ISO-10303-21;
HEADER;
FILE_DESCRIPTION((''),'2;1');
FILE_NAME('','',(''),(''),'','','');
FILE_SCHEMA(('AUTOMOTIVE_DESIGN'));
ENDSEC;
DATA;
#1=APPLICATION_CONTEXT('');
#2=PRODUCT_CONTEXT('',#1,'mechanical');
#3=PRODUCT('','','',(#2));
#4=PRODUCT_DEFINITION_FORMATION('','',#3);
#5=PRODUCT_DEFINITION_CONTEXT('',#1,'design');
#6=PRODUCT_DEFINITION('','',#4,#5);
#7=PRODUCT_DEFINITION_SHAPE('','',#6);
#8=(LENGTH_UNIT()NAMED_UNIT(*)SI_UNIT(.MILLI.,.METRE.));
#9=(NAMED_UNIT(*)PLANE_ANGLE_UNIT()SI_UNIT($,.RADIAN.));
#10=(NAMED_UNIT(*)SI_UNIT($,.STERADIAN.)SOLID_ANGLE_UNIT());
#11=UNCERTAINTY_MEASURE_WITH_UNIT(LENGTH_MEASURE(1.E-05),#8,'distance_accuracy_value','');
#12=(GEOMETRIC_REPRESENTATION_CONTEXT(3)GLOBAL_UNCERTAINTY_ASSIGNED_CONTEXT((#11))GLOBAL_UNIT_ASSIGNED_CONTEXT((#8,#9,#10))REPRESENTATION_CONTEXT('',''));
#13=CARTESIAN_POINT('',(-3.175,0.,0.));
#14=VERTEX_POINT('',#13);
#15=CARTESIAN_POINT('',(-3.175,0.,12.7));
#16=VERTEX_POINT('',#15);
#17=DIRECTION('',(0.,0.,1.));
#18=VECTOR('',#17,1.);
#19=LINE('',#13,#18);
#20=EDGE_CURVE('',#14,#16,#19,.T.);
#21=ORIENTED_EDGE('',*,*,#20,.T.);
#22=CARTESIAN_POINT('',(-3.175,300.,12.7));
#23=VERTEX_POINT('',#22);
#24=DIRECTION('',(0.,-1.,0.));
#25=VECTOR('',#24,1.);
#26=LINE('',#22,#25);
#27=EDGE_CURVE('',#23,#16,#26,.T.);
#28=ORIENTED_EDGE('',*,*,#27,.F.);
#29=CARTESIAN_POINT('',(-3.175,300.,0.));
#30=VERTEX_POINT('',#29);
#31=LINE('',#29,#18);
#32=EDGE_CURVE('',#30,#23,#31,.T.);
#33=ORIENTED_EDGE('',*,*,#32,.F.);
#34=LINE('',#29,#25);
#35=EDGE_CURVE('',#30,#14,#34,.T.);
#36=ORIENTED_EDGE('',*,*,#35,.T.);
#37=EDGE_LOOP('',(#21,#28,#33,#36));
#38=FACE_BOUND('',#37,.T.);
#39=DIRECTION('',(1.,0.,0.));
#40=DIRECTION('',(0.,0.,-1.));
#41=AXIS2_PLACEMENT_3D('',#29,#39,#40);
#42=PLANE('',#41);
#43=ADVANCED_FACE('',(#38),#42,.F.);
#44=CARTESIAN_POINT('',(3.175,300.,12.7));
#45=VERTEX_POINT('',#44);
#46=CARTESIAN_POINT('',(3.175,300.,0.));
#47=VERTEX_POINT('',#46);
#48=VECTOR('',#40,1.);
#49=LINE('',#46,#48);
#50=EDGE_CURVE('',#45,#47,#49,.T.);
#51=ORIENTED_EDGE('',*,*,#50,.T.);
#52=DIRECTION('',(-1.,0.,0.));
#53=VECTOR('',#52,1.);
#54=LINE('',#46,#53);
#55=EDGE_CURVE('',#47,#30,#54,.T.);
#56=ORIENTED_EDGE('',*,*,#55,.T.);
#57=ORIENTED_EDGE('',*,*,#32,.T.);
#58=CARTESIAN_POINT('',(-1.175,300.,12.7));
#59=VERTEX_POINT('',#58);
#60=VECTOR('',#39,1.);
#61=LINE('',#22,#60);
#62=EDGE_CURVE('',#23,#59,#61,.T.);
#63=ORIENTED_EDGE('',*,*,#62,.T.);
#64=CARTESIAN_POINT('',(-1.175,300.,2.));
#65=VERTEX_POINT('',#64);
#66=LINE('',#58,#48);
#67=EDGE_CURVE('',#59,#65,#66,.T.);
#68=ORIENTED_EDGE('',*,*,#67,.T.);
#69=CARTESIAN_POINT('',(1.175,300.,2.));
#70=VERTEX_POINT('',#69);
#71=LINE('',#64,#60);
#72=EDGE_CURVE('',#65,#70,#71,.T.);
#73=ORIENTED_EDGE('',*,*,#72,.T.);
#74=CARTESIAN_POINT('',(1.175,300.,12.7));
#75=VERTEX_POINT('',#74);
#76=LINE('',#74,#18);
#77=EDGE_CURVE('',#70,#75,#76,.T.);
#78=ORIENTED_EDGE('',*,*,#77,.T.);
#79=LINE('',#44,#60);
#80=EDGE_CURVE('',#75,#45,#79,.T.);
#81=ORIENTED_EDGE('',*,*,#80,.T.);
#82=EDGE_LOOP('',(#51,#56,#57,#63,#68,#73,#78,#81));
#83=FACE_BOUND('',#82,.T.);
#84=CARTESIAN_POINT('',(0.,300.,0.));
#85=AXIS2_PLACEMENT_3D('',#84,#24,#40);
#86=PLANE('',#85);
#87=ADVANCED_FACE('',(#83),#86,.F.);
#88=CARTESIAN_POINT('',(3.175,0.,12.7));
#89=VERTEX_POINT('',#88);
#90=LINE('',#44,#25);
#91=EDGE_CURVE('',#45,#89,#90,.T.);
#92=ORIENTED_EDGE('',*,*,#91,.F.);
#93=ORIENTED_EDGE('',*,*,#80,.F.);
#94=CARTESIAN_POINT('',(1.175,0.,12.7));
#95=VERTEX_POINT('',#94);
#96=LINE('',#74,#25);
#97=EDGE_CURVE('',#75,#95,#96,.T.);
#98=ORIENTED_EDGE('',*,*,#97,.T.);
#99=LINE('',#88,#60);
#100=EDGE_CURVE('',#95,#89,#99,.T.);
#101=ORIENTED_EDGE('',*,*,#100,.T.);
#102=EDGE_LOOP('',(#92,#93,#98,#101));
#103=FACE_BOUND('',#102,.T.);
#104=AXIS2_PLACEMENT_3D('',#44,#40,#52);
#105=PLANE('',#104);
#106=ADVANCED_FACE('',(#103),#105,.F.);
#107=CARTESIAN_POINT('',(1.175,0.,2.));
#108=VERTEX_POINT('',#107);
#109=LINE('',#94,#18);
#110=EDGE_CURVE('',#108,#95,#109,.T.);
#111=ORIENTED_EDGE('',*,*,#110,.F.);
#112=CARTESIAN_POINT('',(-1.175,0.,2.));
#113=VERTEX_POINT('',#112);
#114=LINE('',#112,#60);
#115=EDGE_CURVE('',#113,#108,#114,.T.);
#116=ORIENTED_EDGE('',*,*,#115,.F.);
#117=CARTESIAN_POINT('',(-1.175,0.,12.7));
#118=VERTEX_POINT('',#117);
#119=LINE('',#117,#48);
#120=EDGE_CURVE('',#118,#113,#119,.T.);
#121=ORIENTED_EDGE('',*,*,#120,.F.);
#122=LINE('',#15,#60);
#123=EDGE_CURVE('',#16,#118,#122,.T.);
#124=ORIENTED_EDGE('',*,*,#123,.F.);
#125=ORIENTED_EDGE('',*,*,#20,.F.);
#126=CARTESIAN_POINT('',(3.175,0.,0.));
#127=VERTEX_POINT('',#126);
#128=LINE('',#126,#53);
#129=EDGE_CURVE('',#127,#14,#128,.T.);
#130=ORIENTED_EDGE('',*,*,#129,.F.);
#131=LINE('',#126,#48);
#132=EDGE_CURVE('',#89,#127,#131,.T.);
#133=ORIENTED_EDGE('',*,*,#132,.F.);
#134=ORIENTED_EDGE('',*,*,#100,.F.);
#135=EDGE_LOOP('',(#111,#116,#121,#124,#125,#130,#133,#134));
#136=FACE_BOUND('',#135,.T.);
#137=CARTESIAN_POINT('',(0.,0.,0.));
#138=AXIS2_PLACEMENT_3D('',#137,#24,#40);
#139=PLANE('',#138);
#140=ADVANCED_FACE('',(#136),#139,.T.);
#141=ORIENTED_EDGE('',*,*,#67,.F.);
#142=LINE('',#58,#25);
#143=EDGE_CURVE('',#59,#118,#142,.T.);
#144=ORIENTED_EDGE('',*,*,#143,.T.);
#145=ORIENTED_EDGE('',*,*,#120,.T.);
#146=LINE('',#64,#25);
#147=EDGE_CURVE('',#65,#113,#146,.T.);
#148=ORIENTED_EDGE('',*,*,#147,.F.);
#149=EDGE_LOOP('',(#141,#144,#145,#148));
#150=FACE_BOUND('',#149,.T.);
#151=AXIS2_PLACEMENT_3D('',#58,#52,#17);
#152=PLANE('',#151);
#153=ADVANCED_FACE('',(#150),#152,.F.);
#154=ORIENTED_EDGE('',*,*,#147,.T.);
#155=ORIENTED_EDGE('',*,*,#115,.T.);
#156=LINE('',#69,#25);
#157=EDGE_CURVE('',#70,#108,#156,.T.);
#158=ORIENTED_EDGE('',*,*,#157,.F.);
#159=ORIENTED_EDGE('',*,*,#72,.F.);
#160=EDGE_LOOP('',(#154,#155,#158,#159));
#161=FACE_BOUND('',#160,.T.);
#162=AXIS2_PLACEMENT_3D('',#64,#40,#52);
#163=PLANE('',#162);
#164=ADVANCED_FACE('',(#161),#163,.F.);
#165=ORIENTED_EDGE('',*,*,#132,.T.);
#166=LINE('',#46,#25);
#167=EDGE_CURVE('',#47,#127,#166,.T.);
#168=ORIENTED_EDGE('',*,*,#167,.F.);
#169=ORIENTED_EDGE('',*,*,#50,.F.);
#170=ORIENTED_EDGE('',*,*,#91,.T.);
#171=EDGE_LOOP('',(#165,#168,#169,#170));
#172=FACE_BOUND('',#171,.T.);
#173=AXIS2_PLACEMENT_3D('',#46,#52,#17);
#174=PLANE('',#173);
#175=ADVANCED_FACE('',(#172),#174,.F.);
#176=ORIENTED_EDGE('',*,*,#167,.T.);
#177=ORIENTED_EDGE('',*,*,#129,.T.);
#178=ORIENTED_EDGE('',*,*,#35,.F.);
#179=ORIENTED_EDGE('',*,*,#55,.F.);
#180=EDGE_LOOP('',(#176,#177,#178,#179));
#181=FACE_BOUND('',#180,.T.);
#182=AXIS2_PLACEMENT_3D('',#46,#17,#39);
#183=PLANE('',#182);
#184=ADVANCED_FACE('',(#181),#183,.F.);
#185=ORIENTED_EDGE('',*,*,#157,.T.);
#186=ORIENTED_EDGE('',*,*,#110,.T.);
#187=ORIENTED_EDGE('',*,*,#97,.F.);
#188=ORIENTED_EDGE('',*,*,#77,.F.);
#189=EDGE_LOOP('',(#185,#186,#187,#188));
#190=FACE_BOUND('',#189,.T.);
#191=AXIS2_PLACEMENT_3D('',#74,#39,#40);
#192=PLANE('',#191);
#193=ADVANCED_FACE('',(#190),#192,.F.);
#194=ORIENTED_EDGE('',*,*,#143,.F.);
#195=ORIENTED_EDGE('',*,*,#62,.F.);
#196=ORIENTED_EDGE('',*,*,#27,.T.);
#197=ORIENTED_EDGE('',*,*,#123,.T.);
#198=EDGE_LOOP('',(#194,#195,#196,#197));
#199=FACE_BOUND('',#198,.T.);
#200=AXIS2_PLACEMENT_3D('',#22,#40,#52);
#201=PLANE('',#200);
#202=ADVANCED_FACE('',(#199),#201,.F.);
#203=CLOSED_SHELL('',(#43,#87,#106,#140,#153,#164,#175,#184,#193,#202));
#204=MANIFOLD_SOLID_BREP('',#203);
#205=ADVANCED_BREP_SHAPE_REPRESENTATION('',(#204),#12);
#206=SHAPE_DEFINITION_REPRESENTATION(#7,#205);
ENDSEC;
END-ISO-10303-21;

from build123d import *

# Parameters (mm, degrees)
RESSALTO_EXTRUS_O1_DEPTH = 300


with BuildPart() as part:
    # Esboço1 → Ressalto-extrusão1 (new body)
    with BuildSketch(Plane(origin=(0, 0, 0), x_dir=(1, 0, 0), z_dir=(0, 1, 0))):
        Polygon((3.175, 0), (-3.175, 0), (-3.175, -12.7), (-1.175, -12.7), (-1.175, -2), (1.175, -2), (1.175, -12.7), (3.175, -12.7), align=None)
    extrude(amount=RESSALTO_EXTRUS_O1_DEPTH)


solid = part.part
